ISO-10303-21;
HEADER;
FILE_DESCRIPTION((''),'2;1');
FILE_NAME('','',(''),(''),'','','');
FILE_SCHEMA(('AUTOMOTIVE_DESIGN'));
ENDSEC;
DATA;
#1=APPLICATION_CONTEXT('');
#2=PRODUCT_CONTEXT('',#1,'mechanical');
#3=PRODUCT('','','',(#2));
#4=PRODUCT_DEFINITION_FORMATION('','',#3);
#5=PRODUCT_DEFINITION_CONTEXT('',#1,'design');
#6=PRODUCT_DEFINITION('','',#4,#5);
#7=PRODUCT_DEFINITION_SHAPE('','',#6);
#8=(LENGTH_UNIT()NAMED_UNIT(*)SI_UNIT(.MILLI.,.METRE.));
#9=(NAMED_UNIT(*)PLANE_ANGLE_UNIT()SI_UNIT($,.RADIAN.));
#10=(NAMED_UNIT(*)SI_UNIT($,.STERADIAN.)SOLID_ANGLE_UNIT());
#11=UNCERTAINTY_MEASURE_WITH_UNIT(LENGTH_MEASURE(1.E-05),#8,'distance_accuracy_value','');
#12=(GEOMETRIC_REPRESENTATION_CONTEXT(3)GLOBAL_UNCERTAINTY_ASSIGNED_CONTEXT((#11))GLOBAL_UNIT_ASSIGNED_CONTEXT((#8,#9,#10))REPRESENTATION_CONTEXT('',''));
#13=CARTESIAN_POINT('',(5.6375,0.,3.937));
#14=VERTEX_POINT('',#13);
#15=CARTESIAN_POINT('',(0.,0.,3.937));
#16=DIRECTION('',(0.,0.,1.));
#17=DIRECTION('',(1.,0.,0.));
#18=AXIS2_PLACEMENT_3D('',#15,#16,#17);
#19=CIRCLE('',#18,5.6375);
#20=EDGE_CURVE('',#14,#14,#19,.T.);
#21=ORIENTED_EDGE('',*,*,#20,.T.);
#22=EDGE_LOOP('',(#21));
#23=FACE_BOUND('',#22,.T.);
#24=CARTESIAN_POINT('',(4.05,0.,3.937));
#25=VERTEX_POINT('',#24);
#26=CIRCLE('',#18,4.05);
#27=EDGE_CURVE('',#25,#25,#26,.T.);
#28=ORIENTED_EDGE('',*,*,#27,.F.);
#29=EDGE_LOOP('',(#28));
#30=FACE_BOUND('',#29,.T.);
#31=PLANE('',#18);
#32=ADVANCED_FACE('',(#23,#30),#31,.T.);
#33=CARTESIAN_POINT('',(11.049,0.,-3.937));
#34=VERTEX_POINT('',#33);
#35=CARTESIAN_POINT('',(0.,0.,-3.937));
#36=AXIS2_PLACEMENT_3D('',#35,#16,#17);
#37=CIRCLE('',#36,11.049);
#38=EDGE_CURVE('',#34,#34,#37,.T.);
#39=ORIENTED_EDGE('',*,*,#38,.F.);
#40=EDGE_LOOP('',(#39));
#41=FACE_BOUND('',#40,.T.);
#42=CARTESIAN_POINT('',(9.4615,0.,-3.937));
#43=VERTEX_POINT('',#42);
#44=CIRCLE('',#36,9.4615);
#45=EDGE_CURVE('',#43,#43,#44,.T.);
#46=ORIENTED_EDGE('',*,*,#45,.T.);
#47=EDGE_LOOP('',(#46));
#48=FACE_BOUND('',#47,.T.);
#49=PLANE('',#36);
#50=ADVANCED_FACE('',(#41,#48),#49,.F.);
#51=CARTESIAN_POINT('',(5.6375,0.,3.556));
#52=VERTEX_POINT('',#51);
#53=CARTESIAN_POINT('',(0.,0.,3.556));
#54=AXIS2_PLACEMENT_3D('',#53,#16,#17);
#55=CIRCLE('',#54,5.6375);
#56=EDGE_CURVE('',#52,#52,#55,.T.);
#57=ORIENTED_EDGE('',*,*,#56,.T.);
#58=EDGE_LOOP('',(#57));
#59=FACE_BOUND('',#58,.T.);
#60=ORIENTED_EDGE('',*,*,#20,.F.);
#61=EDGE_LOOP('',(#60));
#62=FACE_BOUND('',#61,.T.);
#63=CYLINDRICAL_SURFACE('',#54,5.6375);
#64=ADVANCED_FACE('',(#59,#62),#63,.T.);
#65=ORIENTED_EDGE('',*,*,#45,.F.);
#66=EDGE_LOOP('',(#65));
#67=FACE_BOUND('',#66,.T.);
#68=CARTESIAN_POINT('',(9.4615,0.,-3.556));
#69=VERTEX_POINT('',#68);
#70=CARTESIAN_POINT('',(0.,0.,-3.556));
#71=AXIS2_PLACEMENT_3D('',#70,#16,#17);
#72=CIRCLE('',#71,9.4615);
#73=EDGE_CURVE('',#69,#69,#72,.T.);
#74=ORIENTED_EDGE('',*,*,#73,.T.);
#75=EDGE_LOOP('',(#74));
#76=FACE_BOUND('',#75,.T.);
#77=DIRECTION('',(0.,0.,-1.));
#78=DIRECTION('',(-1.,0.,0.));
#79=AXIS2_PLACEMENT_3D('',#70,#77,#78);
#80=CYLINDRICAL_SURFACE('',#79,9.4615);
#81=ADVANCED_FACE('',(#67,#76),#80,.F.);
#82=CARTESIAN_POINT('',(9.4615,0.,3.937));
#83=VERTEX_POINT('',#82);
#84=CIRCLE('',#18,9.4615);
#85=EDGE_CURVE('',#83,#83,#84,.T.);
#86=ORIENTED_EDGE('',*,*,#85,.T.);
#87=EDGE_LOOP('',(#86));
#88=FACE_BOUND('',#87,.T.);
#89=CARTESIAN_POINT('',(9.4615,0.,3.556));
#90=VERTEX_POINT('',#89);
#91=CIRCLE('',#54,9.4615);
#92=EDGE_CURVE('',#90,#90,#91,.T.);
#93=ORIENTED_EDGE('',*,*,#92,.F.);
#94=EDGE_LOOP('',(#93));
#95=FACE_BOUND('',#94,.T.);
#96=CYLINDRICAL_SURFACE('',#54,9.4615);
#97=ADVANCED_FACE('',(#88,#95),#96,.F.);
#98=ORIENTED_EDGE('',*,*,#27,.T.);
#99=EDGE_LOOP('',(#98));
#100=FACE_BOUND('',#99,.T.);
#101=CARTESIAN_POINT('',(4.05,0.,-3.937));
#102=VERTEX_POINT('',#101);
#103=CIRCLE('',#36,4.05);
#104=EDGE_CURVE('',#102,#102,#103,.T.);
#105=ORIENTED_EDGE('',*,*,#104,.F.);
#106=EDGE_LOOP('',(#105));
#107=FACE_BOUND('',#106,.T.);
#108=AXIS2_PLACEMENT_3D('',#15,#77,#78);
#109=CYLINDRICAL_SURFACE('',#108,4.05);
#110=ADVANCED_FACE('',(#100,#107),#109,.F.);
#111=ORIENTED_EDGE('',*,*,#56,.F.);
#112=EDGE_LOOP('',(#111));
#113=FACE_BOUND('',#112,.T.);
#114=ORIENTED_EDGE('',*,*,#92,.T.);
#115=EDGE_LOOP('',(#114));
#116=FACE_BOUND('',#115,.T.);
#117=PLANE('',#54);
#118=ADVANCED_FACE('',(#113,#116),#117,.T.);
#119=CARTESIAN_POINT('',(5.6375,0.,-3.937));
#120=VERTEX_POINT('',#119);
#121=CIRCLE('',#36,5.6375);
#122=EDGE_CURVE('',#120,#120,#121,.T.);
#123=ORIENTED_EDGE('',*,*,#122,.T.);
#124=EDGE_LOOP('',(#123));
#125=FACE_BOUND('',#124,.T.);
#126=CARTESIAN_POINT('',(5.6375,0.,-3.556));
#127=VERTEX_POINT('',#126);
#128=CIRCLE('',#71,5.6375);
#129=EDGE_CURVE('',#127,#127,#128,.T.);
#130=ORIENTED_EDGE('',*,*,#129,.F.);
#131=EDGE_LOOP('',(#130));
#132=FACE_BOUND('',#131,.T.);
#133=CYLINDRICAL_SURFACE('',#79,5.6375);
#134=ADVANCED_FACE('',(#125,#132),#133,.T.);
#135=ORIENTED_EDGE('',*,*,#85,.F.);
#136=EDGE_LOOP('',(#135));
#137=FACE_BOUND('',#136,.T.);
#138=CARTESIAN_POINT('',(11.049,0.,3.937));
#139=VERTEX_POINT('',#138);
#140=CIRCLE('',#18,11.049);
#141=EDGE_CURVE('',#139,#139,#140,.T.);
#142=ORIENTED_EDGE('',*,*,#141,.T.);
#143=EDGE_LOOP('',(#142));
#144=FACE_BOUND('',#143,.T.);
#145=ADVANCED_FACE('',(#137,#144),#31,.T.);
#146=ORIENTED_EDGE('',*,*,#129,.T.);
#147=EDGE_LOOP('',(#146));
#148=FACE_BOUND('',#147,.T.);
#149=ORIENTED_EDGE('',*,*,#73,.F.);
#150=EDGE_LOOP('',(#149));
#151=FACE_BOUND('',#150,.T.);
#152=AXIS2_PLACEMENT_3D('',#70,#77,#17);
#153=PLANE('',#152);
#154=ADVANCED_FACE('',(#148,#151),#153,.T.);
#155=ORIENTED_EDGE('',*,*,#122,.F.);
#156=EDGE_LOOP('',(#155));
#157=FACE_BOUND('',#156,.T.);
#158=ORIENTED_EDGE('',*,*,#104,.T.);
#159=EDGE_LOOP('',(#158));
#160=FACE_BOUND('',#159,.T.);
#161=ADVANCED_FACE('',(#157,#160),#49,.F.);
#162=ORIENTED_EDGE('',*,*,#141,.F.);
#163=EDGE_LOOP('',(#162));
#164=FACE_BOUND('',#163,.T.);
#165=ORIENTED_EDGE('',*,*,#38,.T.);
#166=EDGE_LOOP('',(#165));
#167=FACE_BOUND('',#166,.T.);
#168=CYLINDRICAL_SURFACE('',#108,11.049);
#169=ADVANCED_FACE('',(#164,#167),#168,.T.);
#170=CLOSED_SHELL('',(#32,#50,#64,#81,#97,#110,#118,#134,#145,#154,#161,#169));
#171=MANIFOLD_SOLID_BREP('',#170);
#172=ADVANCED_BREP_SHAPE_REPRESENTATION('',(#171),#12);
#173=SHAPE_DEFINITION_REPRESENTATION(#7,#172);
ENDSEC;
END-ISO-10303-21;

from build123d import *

# Parameters (mm, degrees)
SKETCH1_R           = 11.049
SKETCH1_R_2         = 4.05
BOSS_EXTRUDE1_DEPTH = 3.937
SKETCH2_R           = 9.4615
SKETCH2_R_2         = 5.6375
CUT_EXTRUDE1_DEPTH  = 0.381


with BuildPart() as part:
    # Sketch1 → Boss-Extrude1 (new body, symmetric)
    with BuildSketch(Plane.XY):
        Circle(SKETCH1_R)
        Circle(SKETCH1_R_2, mode=Mode.SUBTRACT)
    extrude(amount=BOSS_EXTRUDE1_DEPTH, both=True)

    # Sketch2 → Cut-Extrude1 (cut)
    with BuildSketch(Plane.XY.offset(3.937)):
        Circle(SKETCH2_R)
        Circle(SKETCH2_R_2, mode=Mode.SUBTRACT)
    cut_extrude1 = extrude(amount=-CUT_EXTRUDE1_DEPTH, mode=Mode.SUBTRACT)

    # Mirror1: Cut-Extrude1 across plane
    add(cut_extrude1.mirror(Plane.XY), mode=Mode.SUBTRACT)


solid = part.part
